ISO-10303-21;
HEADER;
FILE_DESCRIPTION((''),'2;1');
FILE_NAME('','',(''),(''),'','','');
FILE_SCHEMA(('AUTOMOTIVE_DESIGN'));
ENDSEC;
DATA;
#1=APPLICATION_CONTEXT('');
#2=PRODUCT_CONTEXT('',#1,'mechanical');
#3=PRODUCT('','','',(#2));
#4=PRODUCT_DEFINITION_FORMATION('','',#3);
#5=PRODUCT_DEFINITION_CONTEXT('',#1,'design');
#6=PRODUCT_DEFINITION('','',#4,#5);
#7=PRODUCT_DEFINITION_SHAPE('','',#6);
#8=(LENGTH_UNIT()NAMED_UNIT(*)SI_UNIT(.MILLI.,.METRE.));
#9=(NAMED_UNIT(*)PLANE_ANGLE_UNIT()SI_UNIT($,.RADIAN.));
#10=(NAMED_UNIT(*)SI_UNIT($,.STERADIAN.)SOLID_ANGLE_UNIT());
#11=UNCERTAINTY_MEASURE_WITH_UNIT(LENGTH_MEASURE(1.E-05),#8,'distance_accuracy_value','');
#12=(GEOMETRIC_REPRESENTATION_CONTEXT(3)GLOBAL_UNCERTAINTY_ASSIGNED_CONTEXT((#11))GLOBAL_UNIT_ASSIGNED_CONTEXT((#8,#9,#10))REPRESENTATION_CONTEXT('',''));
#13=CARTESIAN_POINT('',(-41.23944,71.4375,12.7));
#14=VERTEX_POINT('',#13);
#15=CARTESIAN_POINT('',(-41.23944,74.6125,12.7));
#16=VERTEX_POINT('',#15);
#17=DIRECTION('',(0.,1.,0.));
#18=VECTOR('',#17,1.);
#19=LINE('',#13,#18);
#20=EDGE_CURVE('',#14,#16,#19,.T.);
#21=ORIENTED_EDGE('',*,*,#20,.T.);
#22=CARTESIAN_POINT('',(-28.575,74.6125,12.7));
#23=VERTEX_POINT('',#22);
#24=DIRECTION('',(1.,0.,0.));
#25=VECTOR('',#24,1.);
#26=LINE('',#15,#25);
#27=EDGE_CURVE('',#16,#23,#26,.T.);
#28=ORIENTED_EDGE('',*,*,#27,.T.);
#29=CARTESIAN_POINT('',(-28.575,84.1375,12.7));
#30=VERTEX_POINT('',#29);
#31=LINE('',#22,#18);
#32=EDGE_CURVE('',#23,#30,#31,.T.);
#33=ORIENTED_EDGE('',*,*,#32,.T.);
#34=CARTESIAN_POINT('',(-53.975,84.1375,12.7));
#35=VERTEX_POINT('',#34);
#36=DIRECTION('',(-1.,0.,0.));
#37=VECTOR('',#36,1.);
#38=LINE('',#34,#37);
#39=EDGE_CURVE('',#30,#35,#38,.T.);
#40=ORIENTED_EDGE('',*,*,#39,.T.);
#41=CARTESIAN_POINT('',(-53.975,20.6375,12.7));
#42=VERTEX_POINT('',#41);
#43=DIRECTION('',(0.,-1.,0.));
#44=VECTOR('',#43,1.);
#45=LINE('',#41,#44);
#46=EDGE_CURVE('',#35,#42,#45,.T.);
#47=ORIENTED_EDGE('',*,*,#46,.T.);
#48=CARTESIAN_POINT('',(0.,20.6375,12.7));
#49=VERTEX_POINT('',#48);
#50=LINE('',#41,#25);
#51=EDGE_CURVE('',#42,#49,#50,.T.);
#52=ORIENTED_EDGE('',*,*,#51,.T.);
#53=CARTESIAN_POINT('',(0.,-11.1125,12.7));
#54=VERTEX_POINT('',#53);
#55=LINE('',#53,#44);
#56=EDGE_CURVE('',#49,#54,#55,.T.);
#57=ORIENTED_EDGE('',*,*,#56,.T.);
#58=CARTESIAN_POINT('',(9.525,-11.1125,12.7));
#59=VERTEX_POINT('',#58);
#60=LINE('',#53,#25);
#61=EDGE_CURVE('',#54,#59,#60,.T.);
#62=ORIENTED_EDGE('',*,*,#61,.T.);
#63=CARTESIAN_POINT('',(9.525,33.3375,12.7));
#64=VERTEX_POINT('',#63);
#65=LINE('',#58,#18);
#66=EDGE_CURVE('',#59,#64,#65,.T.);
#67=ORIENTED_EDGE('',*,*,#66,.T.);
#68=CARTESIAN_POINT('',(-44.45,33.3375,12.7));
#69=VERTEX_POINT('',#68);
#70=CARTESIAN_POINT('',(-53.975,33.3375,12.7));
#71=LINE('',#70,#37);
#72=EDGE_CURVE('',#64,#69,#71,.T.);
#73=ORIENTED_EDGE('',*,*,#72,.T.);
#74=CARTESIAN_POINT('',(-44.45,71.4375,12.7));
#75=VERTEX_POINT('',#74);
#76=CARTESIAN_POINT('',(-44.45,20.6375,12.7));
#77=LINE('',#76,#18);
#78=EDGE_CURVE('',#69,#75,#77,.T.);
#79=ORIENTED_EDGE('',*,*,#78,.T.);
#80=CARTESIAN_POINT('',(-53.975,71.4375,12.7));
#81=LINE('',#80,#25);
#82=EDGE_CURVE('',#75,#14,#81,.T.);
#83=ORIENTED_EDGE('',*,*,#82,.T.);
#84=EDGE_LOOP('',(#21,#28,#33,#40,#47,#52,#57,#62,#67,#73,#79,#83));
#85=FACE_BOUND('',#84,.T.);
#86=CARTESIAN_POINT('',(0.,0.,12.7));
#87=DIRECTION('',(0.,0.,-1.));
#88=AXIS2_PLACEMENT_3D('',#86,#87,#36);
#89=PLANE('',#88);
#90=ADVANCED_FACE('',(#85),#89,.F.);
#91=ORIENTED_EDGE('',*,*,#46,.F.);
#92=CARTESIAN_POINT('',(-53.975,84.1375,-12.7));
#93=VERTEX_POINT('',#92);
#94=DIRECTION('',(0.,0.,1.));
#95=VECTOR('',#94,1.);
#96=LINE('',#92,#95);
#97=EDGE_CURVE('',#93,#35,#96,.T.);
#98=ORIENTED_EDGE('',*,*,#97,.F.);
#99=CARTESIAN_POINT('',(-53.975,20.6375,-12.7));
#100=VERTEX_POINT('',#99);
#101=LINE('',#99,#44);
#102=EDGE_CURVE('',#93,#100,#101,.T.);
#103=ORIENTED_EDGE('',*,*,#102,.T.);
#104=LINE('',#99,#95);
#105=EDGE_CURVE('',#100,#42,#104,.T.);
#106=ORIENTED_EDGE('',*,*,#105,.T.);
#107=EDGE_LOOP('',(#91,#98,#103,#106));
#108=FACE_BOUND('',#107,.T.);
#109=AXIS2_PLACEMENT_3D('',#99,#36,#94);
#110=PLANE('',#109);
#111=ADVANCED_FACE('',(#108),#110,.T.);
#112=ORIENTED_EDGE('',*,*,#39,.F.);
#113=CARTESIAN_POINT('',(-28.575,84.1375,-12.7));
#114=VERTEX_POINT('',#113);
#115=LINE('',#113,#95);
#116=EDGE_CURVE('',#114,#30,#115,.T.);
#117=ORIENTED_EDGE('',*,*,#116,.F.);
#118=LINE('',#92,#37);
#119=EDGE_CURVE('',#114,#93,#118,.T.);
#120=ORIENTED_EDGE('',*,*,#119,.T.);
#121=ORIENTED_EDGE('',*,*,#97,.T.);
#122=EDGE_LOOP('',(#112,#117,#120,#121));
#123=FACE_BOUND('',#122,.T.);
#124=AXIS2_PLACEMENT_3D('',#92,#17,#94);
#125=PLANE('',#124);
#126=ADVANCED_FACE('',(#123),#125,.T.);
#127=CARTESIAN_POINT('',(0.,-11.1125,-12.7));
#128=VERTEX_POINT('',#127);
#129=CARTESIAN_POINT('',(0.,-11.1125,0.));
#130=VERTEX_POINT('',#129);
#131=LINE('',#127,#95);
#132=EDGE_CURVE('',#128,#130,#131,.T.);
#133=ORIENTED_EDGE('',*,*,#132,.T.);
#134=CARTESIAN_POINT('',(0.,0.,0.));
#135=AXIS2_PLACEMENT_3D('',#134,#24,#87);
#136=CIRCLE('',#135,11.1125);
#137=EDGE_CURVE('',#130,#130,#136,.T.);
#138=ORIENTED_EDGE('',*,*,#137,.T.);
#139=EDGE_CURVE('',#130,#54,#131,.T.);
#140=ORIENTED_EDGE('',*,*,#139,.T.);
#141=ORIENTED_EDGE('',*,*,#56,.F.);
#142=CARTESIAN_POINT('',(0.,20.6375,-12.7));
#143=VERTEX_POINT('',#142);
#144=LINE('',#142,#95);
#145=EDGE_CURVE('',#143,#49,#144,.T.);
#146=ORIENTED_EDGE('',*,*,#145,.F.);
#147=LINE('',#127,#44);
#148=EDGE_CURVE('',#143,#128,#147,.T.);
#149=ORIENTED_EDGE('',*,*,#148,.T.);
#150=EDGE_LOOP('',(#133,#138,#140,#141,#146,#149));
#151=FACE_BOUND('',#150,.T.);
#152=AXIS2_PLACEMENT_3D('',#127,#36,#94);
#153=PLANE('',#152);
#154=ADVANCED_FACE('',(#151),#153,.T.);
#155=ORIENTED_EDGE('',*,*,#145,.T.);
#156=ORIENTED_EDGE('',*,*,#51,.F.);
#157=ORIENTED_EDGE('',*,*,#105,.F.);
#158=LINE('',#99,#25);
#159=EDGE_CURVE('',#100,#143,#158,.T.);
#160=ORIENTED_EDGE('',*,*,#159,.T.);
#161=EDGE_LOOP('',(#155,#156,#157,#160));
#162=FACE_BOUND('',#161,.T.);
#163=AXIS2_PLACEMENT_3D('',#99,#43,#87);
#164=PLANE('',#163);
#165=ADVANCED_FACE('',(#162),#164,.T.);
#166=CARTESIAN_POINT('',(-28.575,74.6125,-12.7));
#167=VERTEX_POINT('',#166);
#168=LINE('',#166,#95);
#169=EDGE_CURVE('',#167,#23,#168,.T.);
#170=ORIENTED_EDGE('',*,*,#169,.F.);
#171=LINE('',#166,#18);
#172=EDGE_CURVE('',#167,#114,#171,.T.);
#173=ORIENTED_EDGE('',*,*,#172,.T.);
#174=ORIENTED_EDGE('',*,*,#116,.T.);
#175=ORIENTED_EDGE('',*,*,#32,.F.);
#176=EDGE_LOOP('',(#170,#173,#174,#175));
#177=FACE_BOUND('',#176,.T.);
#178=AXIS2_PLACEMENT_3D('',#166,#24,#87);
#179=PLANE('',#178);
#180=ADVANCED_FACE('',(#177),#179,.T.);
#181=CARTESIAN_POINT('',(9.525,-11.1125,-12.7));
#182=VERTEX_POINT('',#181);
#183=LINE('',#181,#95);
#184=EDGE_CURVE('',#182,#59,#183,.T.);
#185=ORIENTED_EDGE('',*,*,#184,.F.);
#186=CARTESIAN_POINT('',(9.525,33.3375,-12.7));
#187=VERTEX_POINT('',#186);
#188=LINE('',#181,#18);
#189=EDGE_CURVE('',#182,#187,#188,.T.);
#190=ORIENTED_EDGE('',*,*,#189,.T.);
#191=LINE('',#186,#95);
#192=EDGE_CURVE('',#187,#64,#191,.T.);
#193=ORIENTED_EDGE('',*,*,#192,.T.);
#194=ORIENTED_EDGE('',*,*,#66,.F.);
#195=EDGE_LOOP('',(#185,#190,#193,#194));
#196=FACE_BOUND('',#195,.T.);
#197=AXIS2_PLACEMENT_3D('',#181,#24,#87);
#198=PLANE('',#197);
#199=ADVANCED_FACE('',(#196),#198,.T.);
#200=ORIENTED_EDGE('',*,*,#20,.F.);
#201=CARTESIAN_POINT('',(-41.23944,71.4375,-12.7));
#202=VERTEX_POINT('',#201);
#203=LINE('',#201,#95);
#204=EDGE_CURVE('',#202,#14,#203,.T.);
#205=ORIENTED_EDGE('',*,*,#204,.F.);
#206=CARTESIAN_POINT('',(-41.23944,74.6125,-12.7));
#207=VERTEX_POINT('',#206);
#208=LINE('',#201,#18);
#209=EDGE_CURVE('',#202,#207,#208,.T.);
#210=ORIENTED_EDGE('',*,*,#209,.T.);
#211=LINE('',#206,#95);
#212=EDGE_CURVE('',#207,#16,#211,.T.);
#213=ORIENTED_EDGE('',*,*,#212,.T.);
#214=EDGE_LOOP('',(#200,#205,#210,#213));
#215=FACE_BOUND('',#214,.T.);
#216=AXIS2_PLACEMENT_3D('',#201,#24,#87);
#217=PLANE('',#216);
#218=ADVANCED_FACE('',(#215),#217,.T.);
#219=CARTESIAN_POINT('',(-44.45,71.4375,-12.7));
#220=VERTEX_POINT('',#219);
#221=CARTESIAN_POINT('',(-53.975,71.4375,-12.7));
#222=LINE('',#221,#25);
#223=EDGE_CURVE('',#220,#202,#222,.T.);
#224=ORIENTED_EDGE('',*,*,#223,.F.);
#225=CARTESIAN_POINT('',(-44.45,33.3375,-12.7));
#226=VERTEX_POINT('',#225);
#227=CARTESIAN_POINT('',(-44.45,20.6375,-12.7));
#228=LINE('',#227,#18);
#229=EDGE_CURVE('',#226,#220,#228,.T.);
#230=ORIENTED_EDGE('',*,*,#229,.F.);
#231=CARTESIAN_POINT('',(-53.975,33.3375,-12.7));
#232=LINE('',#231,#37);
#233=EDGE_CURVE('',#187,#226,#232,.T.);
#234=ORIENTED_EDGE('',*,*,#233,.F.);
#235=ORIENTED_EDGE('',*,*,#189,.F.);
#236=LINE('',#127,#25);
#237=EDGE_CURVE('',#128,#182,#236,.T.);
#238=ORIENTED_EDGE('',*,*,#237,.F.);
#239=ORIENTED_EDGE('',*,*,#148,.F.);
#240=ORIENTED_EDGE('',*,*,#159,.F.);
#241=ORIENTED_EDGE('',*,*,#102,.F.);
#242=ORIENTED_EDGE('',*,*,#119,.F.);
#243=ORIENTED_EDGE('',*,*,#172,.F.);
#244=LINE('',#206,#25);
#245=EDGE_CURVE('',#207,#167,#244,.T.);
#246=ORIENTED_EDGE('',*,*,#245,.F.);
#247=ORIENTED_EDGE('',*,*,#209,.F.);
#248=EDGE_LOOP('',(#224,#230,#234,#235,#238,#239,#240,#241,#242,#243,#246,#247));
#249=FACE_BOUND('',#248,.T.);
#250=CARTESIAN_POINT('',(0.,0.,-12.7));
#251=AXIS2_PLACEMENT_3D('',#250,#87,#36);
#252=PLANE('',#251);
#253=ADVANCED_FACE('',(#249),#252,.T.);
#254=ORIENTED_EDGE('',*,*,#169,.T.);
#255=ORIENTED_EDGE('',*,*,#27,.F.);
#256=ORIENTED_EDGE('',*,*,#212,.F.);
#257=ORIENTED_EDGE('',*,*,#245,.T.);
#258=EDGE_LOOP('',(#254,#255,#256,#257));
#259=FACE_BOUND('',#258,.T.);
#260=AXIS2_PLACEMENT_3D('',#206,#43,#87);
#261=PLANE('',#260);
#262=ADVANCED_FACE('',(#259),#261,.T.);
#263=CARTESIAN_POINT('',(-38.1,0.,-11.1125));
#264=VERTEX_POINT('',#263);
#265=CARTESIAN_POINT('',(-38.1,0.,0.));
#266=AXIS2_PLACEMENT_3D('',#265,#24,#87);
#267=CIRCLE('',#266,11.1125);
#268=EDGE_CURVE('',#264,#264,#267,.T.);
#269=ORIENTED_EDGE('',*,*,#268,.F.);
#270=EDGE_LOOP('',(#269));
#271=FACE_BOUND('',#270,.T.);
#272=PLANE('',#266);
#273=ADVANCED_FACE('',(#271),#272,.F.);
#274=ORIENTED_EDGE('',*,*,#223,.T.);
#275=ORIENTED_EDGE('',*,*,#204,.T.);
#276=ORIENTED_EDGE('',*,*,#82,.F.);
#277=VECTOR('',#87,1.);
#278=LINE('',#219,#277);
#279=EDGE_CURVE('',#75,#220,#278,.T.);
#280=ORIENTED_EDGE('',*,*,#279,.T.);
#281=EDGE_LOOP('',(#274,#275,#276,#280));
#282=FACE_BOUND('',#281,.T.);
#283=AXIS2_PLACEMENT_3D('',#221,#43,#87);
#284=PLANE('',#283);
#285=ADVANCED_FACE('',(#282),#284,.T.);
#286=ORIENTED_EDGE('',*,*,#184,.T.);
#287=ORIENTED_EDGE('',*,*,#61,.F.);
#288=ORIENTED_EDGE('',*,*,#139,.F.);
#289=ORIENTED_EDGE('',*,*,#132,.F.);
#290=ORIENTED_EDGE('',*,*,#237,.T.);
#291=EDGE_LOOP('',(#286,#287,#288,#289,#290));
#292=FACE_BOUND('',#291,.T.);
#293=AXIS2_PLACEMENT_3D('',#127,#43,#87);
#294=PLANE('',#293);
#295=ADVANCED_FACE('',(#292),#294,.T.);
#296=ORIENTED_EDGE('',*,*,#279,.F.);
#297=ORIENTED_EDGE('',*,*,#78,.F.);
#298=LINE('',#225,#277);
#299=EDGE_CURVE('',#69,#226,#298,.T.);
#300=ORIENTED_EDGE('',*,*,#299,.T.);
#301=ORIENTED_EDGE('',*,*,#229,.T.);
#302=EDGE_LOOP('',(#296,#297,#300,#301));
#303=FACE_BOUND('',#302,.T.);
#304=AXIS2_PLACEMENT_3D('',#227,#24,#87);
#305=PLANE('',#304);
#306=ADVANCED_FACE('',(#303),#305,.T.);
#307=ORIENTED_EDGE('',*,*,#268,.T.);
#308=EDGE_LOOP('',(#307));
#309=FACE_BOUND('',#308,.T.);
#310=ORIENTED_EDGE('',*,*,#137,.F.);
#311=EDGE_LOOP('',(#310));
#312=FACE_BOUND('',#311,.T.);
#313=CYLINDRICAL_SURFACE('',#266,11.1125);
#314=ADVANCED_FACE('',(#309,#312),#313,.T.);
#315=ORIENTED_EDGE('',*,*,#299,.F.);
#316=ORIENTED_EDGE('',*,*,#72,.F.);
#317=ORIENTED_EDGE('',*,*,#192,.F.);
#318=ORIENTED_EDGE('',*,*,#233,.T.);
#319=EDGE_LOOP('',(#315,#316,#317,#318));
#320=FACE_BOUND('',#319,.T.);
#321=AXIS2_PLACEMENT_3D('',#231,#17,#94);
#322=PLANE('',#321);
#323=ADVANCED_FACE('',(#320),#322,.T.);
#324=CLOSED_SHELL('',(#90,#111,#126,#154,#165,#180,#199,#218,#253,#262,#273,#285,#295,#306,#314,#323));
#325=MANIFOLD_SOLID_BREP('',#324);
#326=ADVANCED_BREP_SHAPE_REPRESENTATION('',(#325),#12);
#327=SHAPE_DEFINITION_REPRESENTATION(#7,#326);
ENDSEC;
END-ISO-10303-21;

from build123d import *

# Parameters (mm, degrees)
SKETCH1_R                = 11.1125
BOSS_EXTRUDE1_DEPTH      = 38.1
BOSS_EXTRUDE2_DEPTH      = 12.7
BOSS_EXTRUDE2_DEPTH_BACK = 12.7
SKETCH2_W                = 9.525
SKETCH2_H                = 31.75
BOSS_EXTRUDE3_DEPTH      = 12.7
BOSS_EXTRUDE3_DEPTH_BACK = 12.7
SKETCH3_W                = 63.5
SKETCH3_H                = 12.7
BOSS_EXTRUDE4_DEPTH      = 12.7
BOSS_EXTRUDE4_DEPTH_BACK = 12.7
SKETCH4_W                = 9.525
SKETCH4_H                = 63.5
BOSS_EXTRUDE5_DEPTH      = 12.7
BOSS_EXTRUDE5_DEPTH_BACK = 12.7


with BuildPart() as part:
    # Sketch1 → Boss-Extrude1 (new body)
    with BuildSketch(Plane(origin=(0, 0, 0), x_dir=(0, 0, -1), z_dir=(1, 0, 0))):
        Circle(SKETCH1_R)
    extrude(amount=-BOSS_EXTRUDE1_DEPTH)

    # Sketch2 → Boss-Extrude2 (add, two sides: drawn at the far end of the back side and taken through both)
    with BuildSketch(Plane.XY.offset(-BOSS_EXTRUDE2_DEPTH_BACK)):
        with Locations((4.7625, 4.7625)):
            Rectangle(SKETCH2_W, SKETCH2_H)
    extrude(amount=BOSS_EXTRUDE2_DEPTH + BOSS_EXTRUDE2_DEPTH_BACK)

    # Sketch3 → Boss-Extrude3 (add, two sides: drawn at the far end of the back side and taken through both)
    with BuildSketch(Plane.XY.offset(-BOSS_EXTRUDE3_DEPTH_BACK)):
        with Locations((-22.225, 26.9875)):
            Rectangle(SKETCH3_W, SKETCH3_H)
    extrude(amount=BOSS_EXTRUDE3_DEPTH + BOSS_EXTRUDE3_DEPTH_BACK)

    # Sketch4 → Boss-Extrude4 (add, two sides: drawn at the far end of the back side and taken through both)
    with BuildSketch(Plane.XY.offset(-BOSS_EXTRUDE4_DEPTH_BACK)):
        with Locations((-49.2125, 52.3875)):
            Rectangle(SKETCH4_W, SKETCH4_H)
    extrude(amount=BOSS_EXTRUDE4_DEPTH + BOSS_EXTRUDE4_DEPTH_BACK)

    # Sketch5 → Boss-Extrude5 (add, two sides: drawn at the far end of the back side and taken through both)
    with BuildSketch(Plane.XY.offset(-BOSS_EXTRUDE5_DEPTH_BACK)):
        Polygon((-53.975, 71.4375), (-41.23944, 71.4375), (-41.23944, 74.6125), (-28.575, 74.6125), (-28.575, 84.1375), (-53.975, 84.1375), align=None)
    extrude(amount=BOSS_EXTRUDE5_DEPTH + BOSS_EXTRUDE5_DEPTH_BACK)


solid = part.part
